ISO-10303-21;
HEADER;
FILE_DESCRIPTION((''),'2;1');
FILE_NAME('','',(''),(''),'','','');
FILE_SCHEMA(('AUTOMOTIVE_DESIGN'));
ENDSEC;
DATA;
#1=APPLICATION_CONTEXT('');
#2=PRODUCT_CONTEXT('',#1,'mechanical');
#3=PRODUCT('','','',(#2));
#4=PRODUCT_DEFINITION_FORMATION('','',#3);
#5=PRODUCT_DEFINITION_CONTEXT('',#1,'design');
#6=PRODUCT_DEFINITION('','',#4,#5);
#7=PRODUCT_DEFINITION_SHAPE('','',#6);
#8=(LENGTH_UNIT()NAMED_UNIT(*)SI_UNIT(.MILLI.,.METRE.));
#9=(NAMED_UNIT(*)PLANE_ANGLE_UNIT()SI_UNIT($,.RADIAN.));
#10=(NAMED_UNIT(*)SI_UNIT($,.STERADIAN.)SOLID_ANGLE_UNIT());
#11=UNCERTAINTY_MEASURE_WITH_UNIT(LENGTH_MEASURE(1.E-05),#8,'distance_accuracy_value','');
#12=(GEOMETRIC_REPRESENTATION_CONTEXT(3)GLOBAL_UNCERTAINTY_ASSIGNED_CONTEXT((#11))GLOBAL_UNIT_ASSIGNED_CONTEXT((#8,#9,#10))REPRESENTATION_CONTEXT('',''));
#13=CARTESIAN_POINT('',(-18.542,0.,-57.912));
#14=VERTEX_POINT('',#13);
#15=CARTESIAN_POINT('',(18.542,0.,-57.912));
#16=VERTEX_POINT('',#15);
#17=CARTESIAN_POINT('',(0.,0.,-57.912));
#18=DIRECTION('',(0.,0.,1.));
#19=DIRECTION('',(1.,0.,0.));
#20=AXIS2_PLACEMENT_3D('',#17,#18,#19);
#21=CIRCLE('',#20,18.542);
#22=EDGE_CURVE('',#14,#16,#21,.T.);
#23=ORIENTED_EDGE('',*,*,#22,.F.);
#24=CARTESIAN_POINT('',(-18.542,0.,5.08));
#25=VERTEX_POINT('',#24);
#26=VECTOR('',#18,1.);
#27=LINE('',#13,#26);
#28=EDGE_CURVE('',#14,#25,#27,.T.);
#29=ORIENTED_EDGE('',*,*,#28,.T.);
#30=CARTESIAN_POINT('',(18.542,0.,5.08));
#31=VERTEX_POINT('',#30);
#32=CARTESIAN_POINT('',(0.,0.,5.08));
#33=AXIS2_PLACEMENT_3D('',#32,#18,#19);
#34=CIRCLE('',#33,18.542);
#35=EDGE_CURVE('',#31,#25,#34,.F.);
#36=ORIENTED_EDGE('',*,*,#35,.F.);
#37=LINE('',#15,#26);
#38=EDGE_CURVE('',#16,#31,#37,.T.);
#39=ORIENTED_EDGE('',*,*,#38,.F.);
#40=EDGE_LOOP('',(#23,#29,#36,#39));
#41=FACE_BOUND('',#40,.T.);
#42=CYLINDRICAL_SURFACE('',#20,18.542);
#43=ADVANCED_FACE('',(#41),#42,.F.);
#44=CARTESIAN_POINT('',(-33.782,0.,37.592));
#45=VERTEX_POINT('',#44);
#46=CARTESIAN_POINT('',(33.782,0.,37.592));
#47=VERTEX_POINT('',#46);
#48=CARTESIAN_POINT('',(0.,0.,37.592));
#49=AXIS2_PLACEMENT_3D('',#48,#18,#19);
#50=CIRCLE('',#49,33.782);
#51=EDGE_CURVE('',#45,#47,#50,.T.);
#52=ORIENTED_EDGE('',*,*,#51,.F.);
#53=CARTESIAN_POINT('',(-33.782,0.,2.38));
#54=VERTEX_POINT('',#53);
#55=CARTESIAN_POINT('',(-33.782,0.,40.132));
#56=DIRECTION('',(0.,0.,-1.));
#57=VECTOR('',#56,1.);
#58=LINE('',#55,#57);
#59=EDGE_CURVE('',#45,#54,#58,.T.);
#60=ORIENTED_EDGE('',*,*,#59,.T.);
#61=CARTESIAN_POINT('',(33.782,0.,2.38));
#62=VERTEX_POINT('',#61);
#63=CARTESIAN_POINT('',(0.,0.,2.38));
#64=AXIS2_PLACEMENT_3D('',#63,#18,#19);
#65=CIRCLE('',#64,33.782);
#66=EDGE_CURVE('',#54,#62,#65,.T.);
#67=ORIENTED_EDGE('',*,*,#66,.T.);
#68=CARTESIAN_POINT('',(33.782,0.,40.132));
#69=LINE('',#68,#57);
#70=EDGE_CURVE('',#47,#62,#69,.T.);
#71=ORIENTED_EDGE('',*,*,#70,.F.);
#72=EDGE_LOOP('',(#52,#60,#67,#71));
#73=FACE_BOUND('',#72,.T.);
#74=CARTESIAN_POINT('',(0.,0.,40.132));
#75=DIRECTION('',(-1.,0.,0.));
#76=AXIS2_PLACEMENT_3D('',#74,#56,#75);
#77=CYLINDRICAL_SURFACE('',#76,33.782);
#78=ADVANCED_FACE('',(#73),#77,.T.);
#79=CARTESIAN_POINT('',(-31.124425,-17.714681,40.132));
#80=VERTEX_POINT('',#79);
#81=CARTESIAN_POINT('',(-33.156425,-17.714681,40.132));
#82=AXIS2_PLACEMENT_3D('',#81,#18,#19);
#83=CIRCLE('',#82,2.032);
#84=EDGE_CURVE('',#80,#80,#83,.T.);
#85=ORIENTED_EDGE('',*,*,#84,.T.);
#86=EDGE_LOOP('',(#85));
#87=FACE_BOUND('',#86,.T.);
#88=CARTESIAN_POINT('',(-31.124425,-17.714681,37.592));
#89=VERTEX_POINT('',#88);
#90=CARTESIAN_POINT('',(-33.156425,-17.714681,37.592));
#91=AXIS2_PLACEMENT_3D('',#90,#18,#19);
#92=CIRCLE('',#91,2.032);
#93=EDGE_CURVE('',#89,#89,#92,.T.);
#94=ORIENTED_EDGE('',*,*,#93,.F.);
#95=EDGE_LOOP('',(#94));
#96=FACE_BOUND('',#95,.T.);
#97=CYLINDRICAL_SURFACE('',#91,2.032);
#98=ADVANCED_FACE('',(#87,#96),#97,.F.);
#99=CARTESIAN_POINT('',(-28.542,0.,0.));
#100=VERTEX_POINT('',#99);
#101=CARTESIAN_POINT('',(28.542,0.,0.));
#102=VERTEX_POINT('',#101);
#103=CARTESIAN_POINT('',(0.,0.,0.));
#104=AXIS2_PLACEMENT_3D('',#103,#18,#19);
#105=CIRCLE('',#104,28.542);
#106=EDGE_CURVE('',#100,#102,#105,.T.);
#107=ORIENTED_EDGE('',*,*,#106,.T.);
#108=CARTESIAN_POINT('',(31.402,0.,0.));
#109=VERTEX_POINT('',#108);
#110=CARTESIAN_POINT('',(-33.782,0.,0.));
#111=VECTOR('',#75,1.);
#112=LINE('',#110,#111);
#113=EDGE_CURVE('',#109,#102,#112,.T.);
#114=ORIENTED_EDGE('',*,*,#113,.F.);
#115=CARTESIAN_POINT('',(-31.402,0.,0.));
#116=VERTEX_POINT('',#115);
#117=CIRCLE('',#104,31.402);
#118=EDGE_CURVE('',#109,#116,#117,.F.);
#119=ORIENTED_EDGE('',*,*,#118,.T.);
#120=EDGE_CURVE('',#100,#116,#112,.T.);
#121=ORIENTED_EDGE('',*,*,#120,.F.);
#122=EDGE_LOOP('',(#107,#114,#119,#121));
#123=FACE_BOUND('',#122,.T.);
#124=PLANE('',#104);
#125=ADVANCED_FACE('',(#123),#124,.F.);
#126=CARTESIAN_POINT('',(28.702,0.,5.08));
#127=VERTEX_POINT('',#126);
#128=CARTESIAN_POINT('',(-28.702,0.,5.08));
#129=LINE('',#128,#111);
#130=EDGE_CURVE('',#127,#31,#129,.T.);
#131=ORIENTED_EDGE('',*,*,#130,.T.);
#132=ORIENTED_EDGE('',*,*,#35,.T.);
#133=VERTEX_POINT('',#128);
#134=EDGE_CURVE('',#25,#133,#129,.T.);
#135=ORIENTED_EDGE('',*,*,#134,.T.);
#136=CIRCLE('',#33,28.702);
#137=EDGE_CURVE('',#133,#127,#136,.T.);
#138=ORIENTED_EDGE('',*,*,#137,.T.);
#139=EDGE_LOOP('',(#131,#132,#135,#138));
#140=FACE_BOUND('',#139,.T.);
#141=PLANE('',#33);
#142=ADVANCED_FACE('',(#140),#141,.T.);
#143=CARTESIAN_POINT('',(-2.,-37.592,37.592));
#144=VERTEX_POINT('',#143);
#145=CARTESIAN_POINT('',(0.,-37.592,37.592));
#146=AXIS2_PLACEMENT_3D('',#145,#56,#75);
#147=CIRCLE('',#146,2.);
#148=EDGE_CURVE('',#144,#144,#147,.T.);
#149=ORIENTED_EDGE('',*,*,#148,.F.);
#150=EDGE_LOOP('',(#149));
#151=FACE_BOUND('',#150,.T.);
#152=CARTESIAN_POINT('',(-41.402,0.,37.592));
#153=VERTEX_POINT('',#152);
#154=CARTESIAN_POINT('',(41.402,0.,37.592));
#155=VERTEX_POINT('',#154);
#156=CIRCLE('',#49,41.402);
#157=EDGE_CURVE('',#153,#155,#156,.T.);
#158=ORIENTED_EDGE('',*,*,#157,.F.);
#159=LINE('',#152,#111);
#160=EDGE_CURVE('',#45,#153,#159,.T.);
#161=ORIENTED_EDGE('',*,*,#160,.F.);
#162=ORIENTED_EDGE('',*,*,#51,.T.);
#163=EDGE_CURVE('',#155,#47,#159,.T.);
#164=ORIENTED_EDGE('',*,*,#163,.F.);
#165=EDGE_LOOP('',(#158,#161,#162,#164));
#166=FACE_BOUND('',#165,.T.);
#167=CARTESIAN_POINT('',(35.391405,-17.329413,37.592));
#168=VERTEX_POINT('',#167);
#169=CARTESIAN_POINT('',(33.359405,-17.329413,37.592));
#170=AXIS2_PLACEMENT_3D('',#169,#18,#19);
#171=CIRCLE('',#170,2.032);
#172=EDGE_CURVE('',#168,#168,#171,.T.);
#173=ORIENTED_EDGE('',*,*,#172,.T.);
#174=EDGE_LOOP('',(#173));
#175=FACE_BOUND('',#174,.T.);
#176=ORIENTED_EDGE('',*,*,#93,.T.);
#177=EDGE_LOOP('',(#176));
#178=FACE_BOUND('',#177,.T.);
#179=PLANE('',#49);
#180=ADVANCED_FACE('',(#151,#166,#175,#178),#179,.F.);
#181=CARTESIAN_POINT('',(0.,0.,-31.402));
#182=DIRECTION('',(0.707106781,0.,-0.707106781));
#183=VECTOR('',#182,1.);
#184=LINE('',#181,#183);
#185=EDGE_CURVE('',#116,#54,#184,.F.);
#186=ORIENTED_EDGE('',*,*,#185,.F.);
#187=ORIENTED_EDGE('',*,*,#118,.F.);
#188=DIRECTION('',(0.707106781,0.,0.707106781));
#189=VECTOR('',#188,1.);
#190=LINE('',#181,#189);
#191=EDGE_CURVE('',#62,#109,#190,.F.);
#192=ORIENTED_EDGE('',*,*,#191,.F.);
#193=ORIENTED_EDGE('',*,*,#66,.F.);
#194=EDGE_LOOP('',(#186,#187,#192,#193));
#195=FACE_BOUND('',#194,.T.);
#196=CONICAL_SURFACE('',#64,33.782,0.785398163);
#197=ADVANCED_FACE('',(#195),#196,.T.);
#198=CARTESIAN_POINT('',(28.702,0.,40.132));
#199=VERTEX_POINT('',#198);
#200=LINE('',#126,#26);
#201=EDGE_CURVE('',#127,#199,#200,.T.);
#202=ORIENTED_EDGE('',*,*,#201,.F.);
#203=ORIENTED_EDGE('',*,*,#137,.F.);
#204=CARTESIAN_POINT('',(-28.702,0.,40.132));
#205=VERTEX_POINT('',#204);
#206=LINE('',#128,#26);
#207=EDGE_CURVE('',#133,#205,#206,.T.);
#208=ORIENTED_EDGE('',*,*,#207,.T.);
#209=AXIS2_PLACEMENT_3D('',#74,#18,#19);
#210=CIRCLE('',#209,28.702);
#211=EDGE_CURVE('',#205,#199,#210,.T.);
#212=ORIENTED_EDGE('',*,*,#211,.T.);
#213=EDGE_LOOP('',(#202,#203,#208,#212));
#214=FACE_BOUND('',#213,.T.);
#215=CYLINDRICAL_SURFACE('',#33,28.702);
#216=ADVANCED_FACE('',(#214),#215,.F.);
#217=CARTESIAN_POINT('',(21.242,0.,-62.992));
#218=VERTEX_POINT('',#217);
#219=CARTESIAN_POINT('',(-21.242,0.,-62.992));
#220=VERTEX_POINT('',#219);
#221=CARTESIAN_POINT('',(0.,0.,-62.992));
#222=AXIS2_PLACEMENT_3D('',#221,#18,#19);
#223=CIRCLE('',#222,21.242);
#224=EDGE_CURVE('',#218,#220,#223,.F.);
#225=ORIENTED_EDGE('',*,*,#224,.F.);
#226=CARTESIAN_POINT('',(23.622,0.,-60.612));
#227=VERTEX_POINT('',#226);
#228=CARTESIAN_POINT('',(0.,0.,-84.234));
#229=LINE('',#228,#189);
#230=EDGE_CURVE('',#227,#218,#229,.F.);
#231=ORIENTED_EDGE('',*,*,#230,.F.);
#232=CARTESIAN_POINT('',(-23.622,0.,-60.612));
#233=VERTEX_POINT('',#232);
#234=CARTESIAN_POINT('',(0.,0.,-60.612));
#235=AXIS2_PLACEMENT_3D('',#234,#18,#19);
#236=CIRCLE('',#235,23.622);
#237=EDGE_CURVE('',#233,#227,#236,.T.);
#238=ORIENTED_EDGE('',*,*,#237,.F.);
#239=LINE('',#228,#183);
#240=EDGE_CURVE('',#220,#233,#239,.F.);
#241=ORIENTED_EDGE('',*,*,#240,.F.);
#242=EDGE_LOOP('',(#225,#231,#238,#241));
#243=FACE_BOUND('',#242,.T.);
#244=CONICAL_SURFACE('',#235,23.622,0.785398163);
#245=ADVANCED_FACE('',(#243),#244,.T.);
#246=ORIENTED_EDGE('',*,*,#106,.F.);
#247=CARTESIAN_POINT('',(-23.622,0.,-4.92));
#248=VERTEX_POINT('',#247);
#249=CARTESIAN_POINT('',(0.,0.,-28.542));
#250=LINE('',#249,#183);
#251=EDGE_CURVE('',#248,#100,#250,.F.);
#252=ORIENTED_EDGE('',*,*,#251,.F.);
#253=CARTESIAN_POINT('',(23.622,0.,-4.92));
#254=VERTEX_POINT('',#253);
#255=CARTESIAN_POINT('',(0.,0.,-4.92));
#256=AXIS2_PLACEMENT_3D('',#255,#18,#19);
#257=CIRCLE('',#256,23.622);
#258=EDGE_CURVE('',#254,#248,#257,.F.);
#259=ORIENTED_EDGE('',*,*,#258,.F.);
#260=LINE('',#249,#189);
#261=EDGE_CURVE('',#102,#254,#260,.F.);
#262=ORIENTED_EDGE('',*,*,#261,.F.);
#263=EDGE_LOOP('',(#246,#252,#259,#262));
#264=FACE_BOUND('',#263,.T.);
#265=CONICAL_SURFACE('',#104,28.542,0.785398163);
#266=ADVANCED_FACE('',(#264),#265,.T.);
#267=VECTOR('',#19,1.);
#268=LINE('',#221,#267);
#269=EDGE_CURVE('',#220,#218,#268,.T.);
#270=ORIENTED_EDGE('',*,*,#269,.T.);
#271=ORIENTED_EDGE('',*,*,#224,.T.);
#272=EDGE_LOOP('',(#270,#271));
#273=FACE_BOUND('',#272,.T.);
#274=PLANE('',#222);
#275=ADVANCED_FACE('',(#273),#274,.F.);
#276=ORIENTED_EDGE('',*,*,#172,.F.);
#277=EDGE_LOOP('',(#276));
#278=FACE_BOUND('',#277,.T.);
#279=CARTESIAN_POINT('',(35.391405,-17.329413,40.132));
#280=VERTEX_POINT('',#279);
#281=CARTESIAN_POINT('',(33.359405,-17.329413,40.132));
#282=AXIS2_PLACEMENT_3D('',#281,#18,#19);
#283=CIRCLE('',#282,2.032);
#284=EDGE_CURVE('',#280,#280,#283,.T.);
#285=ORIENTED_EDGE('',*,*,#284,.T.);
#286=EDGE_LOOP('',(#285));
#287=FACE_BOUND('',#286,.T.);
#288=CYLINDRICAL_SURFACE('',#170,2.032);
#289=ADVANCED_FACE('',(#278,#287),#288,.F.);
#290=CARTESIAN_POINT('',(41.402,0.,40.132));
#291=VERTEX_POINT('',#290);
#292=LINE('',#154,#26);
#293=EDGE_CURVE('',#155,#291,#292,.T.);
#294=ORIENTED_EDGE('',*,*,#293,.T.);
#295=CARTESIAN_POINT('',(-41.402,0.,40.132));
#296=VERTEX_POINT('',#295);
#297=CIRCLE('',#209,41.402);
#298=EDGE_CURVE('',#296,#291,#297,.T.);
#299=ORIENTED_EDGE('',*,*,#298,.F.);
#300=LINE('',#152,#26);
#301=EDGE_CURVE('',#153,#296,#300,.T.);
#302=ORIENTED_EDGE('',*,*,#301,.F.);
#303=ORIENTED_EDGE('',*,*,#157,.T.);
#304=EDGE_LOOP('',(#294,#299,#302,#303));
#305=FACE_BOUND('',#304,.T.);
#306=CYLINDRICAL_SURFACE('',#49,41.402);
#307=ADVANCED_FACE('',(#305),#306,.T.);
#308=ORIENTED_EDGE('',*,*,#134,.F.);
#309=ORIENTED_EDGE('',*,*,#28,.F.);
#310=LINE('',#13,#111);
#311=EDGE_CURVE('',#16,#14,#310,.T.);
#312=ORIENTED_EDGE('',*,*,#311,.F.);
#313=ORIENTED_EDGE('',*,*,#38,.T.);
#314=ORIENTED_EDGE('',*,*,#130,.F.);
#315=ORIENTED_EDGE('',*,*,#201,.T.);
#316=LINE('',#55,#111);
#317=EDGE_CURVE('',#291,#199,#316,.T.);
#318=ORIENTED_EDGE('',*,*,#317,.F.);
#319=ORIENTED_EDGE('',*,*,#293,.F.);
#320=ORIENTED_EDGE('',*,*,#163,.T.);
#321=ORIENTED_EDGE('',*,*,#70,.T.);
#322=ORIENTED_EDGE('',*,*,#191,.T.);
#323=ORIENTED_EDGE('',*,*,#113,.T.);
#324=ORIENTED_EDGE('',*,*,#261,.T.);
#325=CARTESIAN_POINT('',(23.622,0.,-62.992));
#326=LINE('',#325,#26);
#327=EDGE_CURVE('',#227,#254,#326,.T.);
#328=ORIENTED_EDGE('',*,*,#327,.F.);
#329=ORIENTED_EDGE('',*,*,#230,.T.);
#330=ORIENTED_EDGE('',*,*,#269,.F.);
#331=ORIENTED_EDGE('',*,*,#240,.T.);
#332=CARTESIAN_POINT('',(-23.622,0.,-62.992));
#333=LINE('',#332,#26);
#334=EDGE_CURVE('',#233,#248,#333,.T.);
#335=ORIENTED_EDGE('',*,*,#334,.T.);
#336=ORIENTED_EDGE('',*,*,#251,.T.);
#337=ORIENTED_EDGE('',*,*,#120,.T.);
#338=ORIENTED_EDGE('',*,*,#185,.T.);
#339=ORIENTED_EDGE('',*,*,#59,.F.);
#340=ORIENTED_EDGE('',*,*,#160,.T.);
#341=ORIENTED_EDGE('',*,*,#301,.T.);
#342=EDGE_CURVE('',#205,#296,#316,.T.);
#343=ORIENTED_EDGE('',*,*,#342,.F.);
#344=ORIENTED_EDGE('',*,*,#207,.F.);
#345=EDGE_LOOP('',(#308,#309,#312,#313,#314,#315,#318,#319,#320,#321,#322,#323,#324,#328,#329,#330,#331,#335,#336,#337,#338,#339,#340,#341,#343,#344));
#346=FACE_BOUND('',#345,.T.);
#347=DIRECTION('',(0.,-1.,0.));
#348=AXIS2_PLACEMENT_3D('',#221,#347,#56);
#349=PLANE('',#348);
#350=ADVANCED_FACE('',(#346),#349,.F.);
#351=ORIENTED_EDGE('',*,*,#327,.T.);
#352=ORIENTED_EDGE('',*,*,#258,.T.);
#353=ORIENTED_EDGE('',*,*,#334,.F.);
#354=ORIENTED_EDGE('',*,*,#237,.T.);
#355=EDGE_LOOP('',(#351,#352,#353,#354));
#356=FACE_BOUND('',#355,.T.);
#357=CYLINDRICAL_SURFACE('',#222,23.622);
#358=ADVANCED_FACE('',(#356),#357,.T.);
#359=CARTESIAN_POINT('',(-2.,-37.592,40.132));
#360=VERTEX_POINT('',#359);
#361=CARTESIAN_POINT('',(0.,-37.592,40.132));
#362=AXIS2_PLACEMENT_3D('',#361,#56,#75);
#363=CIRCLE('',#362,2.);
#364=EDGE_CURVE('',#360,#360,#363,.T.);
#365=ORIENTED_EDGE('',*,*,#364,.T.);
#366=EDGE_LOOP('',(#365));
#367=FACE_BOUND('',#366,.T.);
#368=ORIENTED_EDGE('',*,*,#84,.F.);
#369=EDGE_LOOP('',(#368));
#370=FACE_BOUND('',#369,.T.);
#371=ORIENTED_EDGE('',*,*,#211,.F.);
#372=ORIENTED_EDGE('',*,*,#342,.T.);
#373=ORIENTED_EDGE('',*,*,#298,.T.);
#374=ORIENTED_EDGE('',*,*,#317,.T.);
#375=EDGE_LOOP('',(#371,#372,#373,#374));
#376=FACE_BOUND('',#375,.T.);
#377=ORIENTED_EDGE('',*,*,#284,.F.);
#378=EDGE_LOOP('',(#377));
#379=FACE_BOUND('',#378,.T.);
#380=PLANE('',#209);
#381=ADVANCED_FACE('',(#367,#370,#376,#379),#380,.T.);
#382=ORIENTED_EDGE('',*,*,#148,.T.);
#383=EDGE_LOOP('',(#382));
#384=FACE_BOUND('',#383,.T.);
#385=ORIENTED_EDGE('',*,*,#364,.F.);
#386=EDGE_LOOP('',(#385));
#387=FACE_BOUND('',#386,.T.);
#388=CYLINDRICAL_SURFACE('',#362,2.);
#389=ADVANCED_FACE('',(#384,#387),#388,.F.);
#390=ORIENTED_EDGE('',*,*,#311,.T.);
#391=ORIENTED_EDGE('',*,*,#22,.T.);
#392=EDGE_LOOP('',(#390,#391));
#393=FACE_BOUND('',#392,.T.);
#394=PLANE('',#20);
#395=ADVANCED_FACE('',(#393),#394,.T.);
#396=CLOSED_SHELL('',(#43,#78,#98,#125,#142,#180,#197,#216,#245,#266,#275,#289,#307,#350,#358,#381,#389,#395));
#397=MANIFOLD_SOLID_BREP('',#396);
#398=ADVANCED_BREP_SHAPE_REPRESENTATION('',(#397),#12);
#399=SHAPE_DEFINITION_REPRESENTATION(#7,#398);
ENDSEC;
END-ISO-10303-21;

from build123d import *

# Parameters (mm, degrees)
BOSS_EXTRUDE1_DEPTH = 62.992
CUT_EXTRUDE1_DEPTH  = 57.912
BOSS_EXTRUDE2_DEPTH = 40.132
CUT_EXTRUDE2_DEPTH  = 40.132
CUT_EXTRUDE3_DEPTH  = 35.052
BOSS_EXTRUDE3_DEPTH = 2.54
CUT_EXTRUDE4_DEPTH  = 2.54
CHAMFER1_SIZE       = 4.92
CHAMFER3_SIZE       = 2.38
CHAMFER4_SIZE       = 2.38
SKETCH12_R          = 2
CUT_EXTRUDE6_DEPTH  = 2.54
SKETCH16_R          = 2.032
CUT_EXTRUDE7_DEPTH  = 2.54


with BuildPart() as part:
    # Sketch2 → Boss-Extrude1 (new body)
    with BuildSketch(Plane.XY):
        with BuildLine():
            Line((-23.622, 0), (23.622, 0))
            ThreePointArc((23.622, 0), (0, -23.622), (-23.622, 0))
        make_face()
    extrude(amount=-BOSS_EXTRUDE1_DEPTH)

    # Sketch3 → Cut-Extrude1 (cut)
    with BuildSketch(Plane.XY):
        with BuildLine():
            Line((-18.542, 0), (18.542, 0))
            ThreePointArc((18.542, 0), (0, -18.542), (-18.542, 0))
        make_face()
    extrude(amount=-CUT_EXTRUDE1_DEPTH, mode=Mode.SUBTRACT)

    # Sketch5 → Boss-Extrude2 (add)
    with BuildSketch(Plane.XY):
        with BuildLine():
            Line((-33.782, 0), (33.782, 0))
            ThreePointArc((33.782, 0), (0, -33.782), (-33.782, 0))
        make_face()
    extrude(amount=BOSS_EXTRUDE2_DEPTH)

    # Sketch6 → Cut-Extrude2 (cut)
    with BuildSketch(Plane.XY.offset(40.132)):
        with BuildLine():
            Line((-18.542, 0), (18.542, 0))
            ThreePointArc((18.542, 0), (0, -18.542), (-18.542, 0))
        make_face()
    extrude(amount=-CUT_EXTRUDE2_DEPTH, mode=Mode.SUBTRACT)

    # Sketch7 → Cut-Extrude3 (cut)
    with BuildSketch(Plane.XY.offset(40.132)):
        with BuildLine():
            Line((-28.702, 0), (28.702, 0))
            ThreePointArc((28.702, 0), (0, -28.702), (-28.702, 0))
        make_face()
    extrude(amount=-CUT_EXTRUDE3_DEPTH, mode=Mode.SUBTRACT)

    # Sketch9 → Boss-Extrude3 (add)
    with BuildSketch(Plane.XY.offset(40.132)):
        with BuildLine():
            Line((-41.402, 0), (41.402, 0))
            ThreePointArc((41.402, 0), (0, -41.402), (-41.402, 0))
        make_face()
    extrude(amount=-BOSS_EXTRUDE3_DEPTH)

    # Sketch10 → Cut-Extrude4 (cut)
    with BuildSketch(Plane.XY.offset(40.132)):
        with BuildLine():
            Line((-28.702, 0), (28.702, 0))
            ThreePointArc((28.702, 0), (0, -28.702), (-28.702, 0))
        make_face()
    extrude(amount=-CUT_EXTRUDE4_DEPTH, mode=Mode.SUBTRACT)

    # Chamfer1
    chamfer1_edges = [part.edges().sort_by_distance(p)[0] for p in [
        (0, -23.622, 0),
    ]]
    chamfer(chamfer1_edges, length=CHAMFER1_SIZE)

    # Chamfer3
    chamfer3_edges = [part.edges().sort_by_distance(p)[0] for p in [
        (0, -23.622, -62.992),
    ]]
    chamfer(chamfer3_edges, length=CHAMFER3_SIZE)

    # Chamfer4
    chamfer4_edges = [part.edges().sort_by_distance(p)[0] for p in [
        (0, -33.782, 0),
    ]]
    chamfer(chamfer4_edges, length=CHAMFER4_SIZE)

    # Sketch12 → Cut-Extrude6 (cut)
    with BuildSketch(Plane(origin=(0, 0, 37.592), x_dir=(-1, 0, 0), z_dir=(0, 0, -1))):
        with Locations((0, -37.592)):
            Circle(SKETCH12_R)
    extrude(amount=-CUT_EXTRUDE6_DEPTH, mode=Mode.SUBTRACT)

    # Sketch16 → Cut-Extrude7 (cut)
    with BuildSketch(Plane.XY.offset(40.132)):
        with Locations((-33.156425447, -17.714680792)):
            Circle(SKETCH16_R)
        with Locations((33.359405316, -17.329412596)):
            Circle(SKETCH16_R)
    extrude(amount=-CUT_EXTRUDE7_DEPTH, mode=Mode.SUBTRACT)


solid = part.part
